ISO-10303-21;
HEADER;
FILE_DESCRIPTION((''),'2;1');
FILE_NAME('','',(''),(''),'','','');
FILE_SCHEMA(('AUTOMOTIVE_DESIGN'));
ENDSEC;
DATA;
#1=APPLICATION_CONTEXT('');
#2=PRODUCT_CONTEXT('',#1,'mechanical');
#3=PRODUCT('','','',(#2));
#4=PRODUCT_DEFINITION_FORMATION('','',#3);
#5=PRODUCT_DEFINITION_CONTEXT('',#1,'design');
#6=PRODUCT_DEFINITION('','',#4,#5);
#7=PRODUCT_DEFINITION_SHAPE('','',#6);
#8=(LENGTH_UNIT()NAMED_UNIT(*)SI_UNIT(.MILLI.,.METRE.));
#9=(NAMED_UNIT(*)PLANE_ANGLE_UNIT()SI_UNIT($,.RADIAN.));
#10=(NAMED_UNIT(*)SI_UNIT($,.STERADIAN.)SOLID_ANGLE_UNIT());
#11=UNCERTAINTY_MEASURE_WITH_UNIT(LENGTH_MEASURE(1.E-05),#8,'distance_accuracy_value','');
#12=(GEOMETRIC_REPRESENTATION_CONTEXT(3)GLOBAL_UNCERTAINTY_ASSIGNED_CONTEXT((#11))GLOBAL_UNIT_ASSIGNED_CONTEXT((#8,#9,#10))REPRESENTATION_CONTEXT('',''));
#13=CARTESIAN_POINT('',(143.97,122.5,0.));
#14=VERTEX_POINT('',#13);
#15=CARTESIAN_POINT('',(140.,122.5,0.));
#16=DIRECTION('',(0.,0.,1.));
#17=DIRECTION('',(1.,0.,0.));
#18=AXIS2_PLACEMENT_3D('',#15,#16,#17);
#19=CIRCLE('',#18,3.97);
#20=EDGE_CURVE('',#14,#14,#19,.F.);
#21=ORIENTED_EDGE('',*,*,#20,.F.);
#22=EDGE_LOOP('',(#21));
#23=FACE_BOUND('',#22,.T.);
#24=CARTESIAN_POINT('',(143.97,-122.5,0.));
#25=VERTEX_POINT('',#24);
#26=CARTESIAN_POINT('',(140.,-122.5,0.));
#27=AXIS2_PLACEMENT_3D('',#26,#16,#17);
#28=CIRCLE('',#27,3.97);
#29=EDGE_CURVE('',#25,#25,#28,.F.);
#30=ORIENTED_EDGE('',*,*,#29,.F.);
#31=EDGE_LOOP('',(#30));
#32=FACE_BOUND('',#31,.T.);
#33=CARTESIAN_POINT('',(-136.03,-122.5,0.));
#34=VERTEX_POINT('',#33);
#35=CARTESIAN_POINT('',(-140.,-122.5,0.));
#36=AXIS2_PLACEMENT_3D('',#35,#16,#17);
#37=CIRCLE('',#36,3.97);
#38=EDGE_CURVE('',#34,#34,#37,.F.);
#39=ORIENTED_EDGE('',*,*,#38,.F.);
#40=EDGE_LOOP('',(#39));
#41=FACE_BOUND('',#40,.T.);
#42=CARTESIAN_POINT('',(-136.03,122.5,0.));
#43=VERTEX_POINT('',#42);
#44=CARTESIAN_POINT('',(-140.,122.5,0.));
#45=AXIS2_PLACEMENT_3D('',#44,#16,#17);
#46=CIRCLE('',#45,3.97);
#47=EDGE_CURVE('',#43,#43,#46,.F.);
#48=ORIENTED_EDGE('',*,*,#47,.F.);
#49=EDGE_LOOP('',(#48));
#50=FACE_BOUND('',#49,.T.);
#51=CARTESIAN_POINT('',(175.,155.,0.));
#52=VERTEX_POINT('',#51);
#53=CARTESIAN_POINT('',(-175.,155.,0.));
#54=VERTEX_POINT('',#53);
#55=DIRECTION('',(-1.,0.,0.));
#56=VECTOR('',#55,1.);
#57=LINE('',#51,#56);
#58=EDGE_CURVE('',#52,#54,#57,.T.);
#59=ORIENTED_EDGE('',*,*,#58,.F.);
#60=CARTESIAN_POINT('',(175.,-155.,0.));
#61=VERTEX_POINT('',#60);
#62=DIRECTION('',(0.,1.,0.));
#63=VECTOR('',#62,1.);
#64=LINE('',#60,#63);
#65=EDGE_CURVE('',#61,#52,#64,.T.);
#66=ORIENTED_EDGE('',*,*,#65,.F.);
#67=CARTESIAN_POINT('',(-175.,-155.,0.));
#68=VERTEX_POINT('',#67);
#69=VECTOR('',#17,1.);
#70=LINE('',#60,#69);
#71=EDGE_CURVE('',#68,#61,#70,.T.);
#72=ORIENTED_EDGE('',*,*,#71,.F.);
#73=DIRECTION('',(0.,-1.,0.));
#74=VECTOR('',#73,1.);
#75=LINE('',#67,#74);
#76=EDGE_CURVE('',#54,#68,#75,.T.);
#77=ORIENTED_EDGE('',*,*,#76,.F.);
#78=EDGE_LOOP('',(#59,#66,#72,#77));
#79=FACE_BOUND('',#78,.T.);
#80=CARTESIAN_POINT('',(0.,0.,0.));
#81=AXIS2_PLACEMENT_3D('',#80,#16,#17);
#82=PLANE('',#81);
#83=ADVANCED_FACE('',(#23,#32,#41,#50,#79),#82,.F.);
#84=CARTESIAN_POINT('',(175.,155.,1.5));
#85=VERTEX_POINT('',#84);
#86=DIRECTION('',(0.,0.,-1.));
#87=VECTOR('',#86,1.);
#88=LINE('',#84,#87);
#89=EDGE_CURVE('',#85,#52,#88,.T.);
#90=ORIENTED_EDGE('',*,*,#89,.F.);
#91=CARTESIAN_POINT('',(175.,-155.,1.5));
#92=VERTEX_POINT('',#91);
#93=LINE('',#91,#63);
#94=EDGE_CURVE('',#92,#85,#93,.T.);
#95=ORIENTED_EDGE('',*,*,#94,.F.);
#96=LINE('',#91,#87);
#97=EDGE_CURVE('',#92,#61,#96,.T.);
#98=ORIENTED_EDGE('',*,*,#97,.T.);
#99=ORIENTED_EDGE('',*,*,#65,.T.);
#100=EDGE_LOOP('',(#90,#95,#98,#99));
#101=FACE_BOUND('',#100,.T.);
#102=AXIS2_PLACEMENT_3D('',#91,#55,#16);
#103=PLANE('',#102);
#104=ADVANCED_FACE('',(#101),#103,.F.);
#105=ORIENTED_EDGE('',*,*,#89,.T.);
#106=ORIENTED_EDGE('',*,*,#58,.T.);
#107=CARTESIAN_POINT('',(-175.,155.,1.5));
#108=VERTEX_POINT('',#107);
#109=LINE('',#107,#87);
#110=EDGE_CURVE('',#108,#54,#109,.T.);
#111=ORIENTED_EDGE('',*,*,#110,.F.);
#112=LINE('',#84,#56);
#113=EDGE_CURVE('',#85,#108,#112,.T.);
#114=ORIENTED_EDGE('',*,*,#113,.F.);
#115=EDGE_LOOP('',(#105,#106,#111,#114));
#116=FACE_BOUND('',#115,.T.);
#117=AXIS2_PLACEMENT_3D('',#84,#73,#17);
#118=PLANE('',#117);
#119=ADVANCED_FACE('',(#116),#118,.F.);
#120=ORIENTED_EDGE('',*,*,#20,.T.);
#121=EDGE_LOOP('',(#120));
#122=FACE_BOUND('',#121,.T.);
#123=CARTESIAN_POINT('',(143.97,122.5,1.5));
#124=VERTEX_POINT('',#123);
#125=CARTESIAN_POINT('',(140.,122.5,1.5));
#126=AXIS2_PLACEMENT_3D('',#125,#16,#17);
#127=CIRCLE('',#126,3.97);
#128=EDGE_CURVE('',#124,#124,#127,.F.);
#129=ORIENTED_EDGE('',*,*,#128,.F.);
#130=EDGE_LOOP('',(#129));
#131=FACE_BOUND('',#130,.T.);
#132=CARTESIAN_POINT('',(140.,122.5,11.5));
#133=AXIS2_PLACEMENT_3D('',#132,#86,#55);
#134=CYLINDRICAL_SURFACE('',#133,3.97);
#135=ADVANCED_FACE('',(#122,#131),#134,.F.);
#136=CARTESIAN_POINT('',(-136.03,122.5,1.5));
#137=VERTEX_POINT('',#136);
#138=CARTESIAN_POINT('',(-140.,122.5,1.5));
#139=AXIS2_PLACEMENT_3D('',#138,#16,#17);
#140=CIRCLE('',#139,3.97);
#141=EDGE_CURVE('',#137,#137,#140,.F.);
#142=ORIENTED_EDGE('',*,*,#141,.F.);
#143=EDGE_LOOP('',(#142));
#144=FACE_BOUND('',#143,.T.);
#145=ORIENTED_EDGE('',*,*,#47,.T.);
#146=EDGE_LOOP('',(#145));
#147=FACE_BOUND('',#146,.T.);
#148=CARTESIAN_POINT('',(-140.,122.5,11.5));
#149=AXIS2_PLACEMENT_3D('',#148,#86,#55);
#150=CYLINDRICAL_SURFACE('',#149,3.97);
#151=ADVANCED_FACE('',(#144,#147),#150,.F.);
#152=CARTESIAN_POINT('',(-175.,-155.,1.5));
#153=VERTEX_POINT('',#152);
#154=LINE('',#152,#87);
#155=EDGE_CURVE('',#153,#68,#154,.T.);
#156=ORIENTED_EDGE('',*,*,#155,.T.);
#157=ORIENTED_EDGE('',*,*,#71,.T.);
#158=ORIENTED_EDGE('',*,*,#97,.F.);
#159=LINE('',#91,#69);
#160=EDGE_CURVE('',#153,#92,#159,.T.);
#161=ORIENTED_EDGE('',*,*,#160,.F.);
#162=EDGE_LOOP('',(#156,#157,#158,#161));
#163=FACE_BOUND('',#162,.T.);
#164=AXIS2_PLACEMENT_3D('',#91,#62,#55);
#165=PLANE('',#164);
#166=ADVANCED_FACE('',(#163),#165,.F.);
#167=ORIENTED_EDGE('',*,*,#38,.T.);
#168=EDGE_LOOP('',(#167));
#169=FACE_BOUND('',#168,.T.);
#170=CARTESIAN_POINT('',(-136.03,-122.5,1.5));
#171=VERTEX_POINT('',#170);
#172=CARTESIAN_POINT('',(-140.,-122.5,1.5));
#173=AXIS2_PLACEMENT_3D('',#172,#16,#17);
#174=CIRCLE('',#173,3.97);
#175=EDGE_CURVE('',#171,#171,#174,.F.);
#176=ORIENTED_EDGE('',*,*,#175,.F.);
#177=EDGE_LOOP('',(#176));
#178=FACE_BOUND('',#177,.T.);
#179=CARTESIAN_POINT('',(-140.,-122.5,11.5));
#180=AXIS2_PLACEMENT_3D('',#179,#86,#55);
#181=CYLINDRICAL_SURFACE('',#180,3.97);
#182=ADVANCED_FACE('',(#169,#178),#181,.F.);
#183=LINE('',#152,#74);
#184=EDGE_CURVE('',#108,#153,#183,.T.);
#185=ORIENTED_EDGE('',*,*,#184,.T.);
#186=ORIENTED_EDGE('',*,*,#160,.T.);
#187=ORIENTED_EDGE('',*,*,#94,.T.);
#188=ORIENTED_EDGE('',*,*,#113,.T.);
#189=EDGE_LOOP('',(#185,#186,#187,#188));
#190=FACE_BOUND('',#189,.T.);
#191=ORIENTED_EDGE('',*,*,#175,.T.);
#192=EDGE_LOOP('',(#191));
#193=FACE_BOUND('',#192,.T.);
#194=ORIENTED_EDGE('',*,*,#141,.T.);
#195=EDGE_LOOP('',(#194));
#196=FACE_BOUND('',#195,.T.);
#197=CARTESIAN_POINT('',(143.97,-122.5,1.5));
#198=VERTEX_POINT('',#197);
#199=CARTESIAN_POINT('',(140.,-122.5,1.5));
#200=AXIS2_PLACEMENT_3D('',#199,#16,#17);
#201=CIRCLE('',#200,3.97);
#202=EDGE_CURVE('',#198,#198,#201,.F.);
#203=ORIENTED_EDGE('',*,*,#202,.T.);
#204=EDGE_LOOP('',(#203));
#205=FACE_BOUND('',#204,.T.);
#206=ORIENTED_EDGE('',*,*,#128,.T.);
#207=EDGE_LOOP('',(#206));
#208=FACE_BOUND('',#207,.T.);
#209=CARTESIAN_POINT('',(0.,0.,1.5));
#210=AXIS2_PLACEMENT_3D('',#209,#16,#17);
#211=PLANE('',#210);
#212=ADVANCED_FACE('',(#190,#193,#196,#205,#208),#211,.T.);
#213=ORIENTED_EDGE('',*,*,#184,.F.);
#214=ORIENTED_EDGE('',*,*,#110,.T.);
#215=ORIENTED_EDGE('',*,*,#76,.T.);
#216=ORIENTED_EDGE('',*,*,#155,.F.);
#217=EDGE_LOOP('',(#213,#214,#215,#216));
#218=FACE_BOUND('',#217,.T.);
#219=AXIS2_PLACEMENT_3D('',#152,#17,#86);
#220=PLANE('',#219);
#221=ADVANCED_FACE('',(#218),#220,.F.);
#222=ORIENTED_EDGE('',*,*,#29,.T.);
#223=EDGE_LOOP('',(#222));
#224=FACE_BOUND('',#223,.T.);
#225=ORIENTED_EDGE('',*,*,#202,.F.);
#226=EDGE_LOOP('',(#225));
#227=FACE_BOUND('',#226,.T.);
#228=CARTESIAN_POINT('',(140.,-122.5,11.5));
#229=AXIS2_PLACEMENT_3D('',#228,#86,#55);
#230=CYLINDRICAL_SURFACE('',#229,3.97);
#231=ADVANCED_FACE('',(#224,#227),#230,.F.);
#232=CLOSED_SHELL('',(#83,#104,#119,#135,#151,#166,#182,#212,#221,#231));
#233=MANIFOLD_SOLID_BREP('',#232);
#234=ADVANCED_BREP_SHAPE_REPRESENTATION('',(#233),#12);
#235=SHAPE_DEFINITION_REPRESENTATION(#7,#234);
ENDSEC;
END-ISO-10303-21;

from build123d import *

# Parameters (mm, degrees)
SKETCH1_W               = 350
SKETCH1_H               = 310
BOSS_EXTRUDE1_DEPTH     = 1.5
CUT_EXTRUDE1_DEPTH      = 10
CUT_EXTRUDE1_DEPTH_BACK = 10
SKETCH3_R               = 3.97


with BuildPart() as part:
    # Sketch1 → Boss-Extrude1 (new body)
    with BuildSketch(Plane.XY):
        Rectangle(SKETCH1_W, SKETCH1_H)
    extrude(amount=BOSS_EXTRUDE1_DEPTH)

    # Sketch3 → Cut-Extrude1 (cut, two sides: drawn at the far end of the back side and taken through both)
    with BuildSketch(Plane.XY.offset(1.5).offset(-CUT_EXTRUDE1_DEPTH_BACK)):
        with Locations((-140, 122.5)):
            Circle(SKETCH3_R)
        with Locations((140, 122.5)):
            Circle(SKETCH3_R)
        with Locations((-140, -122.5)):
            Circle(SKETCH3_R)
        with Locations((140, -122.5)):
            Circle(SKETCH3_R)
    extrude(amount=CUT_EXTRUDE1_DEPTH + CUT_EXTRUDE1_DEPTH_BACK, mode=Mode.SUBTRACT)


solid = part.part
